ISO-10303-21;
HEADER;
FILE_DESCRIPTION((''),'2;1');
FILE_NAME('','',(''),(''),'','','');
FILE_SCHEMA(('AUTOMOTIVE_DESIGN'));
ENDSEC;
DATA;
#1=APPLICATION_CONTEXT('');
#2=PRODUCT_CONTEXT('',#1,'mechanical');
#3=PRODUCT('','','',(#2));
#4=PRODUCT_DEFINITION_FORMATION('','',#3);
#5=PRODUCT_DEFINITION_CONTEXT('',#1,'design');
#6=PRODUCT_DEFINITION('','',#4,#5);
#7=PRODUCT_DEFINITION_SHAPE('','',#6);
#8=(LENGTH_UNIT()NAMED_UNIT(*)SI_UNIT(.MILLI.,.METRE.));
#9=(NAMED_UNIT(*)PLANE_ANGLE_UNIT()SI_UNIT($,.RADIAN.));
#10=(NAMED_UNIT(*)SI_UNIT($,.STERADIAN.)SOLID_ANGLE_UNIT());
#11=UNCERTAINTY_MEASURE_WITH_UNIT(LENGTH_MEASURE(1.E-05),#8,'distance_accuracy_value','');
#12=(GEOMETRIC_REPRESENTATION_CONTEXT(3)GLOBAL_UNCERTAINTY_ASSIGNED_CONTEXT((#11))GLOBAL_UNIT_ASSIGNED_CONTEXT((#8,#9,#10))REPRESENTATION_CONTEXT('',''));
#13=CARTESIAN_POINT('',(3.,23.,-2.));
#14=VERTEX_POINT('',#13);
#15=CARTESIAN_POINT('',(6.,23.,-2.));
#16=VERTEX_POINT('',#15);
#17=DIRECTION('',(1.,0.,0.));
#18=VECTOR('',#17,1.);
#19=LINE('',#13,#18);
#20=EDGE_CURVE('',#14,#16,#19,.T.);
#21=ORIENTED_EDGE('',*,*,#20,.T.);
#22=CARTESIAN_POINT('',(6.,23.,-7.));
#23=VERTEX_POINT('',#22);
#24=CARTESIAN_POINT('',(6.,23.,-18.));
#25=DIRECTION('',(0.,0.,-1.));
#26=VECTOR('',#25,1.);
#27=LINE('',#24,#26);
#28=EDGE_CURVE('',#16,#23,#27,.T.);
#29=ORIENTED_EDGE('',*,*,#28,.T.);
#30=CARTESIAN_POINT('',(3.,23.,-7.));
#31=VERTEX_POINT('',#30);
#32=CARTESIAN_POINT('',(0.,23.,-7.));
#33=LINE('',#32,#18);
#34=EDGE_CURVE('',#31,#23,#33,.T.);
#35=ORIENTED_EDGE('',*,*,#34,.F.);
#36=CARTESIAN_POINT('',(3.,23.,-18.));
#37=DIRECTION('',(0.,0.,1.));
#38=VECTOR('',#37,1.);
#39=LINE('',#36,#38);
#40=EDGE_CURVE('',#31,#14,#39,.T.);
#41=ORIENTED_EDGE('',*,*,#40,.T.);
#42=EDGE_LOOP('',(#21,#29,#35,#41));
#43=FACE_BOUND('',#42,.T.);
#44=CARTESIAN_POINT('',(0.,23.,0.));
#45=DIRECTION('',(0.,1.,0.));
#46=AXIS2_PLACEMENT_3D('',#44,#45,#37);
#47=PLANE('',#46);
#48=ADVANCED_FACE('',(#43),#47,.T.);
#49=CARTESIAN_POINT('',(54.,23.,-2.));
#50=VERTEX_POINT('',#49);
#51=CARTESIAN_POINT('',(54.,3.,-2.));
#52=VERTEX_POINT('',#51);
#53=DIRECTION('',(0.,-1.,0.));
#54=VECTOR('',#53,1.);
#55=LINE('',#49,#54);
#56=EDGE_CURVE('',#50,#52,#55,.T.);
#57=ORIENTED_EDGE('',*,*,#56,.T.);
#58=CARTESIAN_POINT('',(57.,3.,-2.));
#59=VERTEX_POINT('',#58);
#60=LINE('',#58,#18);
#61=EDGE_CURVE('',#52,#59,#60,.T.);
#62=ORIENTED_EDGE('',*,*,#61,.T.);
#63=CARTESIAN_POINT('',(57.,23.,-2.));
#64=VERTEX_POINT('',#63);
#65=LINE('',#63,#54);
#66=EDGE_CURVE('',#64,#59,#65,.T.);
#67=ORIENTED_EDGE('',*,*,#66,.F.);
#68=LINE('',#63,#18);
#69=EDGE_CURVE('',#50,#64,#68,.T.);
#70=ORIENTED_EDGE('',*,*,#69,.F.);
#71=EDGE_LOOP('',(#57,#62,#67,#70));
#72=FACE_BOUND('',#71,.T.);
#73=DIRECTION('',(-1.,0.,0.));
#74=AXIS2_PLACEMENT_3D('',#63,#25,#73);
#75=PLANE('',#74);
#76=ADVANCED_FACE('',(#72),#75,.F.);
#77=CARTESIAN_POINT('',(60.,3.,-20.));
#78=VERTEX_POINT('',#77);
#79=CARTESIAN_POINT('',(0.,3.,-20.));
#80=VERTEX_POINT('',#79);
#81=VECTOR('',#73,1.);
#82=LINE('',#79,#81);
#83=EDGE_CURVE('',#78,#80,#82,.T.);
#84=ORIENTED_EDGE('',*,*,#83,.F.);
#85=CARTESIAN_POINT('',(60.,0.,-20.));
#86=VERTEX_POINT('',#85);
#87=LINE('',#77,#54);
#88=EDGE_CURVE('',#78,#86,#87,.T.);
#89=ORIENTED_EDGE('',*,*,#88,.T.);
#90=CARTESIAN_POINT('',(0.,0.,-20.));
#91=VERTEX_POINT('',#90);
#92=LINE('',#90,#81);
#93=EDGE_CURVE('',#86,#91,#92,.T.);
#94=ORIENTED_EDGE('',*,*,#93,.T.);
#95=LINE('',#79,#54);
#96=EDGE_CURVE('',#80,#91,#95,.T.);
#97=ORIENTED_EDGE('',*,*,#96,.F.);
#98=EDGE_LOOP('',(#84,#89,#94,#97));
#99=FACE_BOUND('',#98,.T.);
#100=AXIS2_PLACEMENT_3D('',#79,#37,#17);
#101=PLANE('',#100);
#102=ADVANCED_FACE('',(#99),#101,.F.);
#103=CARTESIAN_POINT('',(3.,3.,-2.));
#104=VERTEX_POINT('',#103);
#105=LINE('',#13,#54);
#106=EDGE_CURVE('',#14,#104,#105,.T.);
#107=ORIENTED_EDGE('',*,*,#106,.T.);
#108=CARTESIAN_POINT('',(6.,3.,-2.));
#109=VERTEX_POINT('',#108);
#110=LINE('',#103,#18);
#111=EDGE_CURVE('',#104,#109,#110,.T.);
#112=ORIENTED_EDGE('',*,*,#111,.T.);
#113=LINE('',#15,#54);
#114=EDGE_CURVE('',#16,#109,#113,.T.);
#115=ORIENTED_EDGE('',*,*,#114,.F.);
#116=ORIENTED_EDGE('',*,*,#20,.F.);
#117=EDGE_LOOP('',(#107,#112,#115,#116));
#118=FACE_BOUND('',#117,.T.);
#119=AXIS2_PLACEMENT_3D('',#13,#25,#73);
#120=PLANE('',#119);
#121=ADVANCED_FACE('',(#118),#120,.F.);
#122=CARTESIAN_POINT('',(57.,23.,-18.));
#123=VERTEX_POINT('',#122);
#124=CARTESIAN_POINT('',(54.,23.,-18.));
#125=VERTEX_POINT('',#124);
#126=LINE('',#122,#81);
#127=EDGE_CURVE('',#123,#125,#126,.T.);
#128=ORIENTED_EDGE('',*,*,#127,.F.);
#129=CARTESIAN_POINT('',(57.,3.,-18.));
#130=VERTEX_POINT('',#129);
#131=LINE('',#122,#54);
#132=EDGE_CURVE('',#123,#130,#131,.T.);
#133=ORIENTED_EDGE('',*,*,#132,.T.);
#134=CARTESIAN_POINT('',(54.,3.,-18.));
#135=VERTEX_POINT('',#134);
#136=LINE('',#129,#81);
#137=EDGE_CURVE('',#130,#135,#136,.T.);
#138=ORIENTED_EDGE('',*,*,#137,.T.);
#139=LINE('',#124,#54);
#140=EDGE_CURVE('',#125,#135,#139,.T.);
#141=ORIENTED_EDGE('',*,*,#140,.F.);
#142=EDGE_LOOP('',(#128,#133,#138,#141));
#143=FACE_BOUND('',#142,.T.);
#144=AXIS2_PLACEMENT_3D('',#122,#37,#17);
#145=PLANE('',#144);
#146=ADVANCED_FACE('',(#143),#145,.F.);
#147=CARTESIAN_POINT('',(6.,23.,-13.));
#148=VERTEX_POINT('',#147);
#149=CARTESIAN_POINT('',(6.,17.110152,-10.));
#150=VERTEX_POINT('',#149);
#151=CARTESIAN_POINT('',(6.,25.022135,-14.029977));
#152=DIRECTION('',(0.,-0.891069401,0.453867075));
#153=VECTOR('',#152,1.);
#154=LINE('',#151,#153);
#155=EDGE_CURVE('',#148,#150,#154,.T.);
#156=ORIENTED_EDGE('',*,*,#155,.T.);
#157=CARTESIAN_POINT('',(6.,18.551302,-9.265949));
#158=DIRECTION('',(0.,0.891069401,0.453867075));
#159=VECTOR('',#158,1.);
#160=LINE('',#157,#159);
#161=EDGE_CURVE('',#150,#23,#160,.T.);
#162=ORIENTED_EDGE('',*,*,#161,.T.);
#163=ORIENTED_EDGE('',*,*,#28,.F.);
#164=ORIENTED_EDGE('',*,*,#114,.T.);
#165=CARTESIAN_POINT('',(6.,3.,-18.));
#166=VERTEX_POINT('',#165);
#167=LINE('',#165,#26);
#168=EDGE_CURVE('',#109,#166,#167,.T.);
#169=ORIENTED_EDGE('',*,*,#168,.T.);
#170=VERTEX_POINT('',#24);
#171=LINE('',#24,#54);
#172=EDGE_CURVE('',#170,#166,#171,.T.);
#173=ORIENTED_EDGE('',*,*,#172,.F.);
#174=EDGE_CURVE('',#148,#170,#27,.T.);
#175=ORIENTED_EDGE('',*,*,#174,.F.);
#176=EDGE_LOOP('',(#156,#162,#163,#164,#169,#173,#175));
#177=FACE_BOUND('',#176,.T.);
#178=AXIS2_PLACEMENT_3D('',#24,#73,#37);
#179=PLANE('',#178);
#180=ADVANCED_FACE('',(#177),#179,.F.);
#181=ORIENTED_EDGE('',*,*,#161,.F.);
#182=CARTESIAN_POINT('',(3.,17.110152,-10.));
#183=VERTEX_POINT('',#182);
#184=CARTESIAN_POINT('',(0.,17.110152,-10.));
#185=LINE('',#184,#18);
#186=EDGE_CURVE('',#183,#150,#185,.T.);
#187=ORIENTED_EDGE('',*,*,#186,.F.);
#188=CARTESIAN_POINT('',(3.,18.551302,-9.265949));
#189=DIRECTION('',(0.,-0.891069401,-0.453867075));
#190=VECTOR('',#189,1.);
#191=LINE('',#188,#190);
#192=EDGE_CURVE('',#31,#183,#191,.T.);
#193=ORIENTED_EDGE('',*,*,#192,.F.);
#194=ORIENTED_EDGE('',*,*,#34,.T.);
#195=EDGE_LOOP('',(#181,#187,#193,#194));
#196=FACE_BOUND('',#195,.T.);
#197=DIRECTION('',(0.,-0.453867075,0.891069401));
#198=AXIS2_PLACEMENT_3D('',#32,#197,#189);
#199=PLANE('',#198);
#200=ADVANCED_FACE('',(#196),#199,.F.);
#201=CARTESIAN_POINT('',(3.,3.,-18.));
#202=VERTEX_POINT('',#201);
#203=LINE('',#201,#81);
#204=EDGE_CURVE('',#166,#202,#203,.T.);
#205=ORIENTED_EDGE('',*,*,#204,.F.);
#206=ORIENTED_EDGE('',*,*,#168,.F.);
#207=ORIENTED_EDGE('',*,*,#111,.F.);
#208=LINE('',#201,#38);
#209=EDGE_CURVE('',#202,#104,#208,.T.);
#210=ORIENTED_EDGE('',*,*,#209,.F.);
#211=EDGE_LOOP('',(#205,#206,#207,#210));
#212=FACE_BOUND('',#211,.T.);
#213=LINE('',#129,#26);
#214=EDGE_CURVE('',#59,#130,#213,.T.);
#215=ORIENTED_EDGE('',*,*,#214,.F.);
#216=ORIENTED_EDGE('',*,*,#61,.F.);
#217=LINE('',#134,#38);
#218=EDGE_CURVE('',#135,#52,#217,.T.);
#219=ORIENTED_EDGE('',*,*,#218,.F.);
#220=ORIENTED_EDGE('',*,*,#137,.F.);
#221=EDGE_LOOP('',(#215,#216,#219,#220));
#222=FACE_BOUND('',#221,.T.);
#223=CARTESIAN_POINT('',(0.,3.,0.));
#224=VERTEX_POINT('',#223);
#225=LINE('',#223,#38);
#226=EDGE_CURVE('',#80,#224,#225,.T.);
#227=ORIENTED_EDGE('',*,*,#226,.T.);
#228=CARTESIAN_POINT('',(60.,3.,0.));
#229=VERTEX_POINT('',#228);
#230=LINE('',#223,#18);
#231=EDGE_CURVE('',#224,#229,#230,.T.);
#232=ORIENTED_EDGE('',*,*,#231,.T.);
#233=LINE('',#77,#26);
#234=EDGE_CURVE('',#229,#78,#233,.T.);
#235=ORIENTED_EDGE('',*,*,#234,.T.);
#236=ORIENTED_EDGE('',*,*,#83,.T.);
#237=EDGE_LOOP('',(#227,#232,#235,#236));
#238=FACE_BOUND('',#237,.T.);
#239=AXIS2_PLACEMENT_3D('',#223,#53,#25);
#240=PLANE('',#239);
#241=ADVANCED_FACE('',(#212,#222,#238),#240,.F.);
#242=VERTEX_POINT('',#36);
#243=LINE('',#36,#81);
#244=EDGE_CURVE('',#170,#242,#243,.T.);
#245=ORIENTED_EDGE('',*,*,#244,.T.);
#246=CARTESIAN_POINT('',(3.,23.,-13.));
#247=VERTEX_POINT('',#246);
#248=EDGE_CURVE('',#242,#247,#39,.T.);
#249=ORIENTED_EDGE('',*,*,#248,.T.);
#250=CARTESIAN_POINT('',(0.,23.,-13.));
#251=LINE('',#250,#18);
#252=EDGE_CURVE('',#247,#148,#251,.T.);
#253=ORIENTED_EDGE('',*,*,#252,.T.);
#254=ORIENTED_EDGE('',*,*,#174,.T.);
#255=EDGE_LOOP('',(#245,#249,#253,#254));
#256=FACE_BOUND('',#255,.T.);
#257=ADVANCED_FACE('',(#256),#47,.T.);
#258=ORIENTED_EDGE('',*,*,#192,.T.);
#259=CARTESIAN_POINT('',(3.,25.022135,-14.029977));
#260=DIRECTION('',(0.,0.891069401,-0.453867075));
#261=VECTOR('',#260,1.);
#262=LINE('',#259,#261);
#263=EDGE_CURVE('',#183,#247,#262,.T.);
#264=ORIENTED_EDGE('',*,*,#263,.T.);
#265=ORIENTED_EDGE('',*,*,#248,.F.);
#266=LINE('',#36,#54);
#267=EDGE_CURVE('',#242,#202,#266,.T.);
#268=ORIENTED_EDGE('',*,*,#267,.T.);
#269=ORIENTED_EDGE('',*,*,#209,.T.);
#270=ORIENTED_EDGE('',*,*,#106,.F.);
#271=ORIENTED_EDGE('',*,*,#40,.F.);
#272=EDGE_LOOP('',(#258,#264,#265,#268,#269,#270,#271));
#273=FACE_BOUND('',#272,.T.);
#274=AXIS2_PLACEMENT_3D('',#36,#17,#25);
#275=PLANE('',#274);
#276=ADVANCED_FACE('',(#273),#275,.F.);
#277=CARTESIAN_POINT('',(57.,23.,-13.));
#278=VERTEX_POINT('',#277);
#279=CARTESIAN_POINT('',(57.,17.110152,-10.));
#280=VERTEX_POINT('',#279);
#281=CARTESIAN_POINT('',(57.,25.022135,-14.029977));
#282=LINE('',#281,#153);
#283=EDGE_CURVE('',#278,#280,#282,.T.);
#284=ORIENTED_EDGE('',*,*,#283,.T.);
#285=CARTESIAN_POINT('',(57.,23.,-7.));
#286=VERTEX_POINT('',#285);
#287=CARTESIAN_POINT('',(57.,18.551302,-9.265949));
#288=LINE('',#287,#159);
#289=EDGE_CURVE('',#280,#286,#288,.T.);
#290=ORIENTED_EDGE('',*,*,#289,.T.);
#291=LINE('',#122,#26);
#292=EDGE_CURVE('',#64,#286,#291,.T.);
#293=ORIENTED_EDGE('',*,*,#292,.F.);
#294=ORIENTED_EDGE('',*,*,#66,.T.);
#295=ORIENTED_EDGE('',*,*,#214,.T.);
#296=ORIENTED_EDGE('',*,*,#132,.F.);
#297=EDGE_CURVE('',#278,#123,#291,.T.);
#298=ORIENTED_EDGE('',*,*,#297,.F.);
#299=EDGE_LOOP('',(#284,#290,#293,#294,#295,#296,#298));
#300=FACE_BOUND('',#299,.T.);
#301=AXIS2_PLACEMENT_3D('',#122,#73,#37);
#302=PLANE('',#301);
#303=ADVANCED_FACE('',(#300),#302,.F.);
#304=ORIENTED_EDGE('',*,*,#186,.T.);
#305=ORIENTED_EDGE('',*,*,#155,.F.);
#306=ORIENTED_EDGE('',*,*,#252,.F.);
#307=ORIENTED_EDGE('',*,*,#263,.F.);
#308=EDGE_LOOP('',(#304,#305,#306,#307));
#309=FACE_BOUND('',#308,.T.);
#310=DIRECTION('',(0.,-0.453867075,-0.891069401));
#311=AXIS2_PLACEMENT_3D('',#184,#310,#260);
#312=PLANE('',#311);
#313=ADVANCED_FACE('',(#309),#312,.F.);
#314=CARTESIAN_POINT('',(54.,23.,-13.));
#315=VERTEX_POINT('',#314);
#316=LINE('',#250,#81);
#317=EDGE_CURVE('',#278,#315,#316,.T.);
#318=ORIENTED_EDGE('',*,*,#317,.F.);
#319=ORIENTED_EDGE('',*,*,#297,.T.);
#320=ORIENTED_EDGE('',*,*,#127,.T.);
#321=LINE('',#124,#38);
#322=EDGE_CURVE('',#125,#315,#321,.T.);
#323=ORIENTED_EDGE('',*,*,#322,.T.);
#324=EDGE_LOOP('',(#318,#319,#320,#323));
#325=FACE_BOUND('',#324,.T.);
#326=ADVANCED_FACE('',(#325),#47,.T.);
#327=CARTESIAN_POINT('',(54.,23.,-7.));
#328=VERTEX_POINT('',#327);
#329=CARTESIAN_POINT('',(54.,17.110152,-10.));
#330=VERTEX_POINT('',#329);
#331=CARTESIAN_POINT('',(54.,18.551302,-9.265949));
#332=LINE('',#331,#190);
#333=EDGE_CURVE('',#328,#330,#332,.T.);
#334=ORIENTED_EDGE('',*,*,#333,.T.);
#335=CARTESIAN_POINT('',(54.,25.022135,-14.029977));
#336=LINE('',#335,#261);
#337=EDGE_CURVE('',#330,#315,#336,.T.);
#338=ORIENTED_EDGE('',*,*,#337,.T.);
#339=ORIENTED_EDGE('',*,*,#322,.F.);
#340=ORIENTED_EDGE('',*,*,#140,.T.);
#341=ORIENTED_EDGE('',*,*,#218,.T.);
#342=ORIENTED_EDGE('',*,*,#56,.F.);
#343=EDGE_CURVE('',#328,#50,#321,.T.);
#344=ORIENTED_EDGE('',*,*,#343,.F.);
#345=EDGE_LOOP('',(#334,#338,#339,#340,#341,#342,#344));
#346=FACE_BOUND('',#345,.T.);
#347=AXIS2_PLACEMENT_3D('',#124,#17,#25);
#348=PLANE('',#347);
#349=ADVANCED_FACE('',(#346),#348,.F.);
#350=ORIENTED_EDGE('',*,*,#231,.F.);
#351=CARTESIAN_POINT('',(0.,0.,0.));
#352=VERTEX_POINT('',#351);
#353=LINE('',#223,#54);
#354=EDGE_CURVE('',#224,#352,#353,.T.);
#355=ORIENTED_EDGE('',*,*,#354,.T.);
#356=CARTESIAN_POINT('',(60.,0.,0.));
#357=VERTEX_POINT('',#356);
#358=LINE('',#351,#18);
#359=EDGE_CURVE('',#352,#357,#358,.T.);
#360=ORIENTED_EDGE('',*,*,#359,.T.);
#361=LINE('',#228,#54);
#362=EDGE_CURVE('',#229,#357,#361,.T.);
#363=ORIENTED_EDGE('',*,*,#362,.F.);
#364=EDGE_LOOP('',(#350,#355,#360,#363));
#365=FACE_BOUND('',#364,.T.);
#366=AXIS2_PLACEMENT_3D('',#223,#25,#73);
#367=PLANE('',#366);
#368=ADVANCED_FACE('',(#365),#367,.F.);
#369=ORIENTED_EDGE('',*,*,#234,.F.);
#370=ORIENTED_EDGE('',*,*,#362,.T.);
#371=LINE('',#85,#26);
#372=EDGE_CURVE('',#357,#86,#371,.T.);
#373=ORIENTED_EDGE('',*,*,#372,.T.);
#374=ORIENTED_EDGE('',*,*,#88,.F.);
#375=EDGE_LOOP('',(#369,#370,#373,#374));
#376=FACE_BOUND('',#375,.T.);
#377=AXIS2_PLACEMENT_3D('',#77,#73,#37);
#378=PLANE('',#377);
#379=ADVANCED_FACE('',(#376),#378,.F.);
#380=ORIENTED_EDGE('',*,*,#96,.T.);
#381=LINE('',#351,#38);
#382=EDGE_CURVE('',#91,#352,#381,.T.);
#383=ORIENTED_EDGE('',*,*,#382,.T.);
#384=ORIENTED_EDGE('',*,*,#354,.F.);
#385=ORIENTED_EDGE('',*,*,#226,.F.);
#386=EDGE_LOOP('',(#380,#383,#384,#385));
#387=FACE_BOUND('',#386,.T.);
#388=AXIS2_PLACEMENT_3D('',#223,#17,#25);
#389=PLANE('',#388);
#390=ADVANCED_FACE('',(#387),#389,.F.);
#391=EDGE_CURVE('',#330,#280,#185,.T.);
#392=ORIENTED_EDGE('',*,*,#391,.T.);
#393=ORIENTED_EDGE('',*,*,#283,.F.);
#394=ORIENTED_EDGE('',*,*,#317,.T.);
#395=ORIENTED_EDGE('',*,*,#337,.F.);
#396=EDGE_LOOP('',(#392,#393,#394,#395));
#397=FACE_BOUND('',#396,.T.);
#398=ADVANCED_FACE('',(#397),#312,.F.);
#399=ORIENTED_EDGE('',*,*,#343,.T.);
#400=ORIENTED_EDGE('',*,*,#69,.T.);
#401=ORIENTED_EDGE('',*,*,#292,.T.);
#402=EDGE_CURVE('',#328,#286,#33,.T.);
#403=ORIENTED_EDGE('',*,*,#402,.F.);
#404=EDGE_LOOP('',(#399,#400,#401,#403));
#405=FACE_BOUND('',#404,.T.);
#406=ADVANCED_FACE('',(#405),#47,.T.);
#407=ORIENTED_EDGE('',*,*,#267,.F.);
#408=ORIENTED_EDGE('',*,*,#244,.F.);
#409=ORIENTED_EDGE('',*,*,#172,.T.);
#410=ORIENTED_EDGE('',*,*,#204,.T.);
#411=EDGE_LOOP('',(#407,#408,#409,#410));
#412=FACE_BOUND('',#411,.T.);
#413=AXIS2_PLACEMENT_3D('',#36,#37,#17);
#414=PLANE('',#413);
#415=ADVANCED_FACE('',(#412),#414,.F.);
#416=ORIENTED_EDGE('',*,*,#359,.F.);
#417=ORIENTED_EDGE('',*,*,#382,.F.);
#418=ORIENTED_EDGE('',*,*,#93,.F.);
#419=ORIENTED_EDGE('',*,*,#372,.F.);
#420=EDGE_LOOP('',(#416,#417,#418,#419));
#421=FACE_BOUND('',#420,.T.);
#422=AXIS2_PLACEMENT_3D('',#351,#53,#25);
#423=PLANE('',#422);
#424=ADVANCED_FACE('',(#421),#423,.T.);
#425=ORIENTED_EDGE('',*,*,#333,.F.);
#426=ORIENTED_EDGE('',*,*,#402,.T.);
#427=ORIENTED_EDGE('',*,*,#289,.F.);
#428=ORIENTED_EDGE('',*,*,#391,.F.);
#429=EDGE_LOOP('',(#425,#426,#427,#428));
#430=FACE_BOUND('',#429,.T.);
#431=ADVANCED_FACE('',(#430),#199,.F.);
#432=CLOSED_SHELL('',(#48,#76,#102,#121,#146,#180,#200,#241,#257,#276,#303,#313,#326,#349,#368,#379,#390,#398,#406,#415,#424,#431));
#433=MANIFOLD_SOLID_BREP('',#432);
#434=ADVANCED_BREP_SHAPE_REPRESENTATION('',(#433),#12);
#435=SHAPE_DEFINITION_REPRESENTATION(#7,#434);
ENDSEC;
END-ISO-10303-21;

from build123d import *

# Parameters (mm, degrees)
SKETCH_1_W               = 60
SKETCH_1_H               = 20
EXTRUDE_320_DEPTH        = 3
SKETCH_3_W               = 3
SKETCH_3_H               = 16
EXTRUDE_3_DEPTH          = 20
CUT_EXTRUDE_4_DEPTH      = 4
CUT_EXTRUDE_4_DEPTH_BACK = 58


with BuildPart() as part:
    # Эскиз1 → Extrude 320 (new body)
    with BuildSketch(Plane(origin=(0, 0, 0), x_dir=(1, 0, 0), z_dir=(0, 1, 0))):
        with Locations((30, 10)):
            Rectangle(SKETCH_1_W, SKETCH_1_H)
    extrude(amount=EXTRUDE_320_DEPTH)

    # Эскиз3 → Бобышка-Вытянуть3 (add)
    with BuildSketch(Plane(origin=(0, 3, 0), x_dir=(1, 0, 0), z_dir=(0, 1, 0))):
        with Locations((4.5, 10)):
            Rectangle(SKETCH_3_W, SKETCH_3_H)
        with Locations((55.5, 10)):
            Rectangle(SKETCH_3_W, SKETCH_3_H)
    extrude(amount=EXTRUDE_3_DEPTH)

    # Эскиз13 → Вырез-Вытянуть4 (cut, two sides)
    with BuildSketch(Plane(origin=(57, 0, 0), x_dir=(0, 0, -1), z_dir=(1, 0, 0))) as cut_extrude_4_sk:
        Polygon((7, 23), (10, 17.110151736), (13, 23), align=None)
    extrude(amount=CUT_EXTRUDE_4_DEPTH, mode=Mode.SUBTRACT)
    extrude(cut_extrude_4_sk.sketch, amount=-CUT_EXTRUDE_4_DEPTH_BACK, mode=Mode.SUBTRACT)


solid = part.part
